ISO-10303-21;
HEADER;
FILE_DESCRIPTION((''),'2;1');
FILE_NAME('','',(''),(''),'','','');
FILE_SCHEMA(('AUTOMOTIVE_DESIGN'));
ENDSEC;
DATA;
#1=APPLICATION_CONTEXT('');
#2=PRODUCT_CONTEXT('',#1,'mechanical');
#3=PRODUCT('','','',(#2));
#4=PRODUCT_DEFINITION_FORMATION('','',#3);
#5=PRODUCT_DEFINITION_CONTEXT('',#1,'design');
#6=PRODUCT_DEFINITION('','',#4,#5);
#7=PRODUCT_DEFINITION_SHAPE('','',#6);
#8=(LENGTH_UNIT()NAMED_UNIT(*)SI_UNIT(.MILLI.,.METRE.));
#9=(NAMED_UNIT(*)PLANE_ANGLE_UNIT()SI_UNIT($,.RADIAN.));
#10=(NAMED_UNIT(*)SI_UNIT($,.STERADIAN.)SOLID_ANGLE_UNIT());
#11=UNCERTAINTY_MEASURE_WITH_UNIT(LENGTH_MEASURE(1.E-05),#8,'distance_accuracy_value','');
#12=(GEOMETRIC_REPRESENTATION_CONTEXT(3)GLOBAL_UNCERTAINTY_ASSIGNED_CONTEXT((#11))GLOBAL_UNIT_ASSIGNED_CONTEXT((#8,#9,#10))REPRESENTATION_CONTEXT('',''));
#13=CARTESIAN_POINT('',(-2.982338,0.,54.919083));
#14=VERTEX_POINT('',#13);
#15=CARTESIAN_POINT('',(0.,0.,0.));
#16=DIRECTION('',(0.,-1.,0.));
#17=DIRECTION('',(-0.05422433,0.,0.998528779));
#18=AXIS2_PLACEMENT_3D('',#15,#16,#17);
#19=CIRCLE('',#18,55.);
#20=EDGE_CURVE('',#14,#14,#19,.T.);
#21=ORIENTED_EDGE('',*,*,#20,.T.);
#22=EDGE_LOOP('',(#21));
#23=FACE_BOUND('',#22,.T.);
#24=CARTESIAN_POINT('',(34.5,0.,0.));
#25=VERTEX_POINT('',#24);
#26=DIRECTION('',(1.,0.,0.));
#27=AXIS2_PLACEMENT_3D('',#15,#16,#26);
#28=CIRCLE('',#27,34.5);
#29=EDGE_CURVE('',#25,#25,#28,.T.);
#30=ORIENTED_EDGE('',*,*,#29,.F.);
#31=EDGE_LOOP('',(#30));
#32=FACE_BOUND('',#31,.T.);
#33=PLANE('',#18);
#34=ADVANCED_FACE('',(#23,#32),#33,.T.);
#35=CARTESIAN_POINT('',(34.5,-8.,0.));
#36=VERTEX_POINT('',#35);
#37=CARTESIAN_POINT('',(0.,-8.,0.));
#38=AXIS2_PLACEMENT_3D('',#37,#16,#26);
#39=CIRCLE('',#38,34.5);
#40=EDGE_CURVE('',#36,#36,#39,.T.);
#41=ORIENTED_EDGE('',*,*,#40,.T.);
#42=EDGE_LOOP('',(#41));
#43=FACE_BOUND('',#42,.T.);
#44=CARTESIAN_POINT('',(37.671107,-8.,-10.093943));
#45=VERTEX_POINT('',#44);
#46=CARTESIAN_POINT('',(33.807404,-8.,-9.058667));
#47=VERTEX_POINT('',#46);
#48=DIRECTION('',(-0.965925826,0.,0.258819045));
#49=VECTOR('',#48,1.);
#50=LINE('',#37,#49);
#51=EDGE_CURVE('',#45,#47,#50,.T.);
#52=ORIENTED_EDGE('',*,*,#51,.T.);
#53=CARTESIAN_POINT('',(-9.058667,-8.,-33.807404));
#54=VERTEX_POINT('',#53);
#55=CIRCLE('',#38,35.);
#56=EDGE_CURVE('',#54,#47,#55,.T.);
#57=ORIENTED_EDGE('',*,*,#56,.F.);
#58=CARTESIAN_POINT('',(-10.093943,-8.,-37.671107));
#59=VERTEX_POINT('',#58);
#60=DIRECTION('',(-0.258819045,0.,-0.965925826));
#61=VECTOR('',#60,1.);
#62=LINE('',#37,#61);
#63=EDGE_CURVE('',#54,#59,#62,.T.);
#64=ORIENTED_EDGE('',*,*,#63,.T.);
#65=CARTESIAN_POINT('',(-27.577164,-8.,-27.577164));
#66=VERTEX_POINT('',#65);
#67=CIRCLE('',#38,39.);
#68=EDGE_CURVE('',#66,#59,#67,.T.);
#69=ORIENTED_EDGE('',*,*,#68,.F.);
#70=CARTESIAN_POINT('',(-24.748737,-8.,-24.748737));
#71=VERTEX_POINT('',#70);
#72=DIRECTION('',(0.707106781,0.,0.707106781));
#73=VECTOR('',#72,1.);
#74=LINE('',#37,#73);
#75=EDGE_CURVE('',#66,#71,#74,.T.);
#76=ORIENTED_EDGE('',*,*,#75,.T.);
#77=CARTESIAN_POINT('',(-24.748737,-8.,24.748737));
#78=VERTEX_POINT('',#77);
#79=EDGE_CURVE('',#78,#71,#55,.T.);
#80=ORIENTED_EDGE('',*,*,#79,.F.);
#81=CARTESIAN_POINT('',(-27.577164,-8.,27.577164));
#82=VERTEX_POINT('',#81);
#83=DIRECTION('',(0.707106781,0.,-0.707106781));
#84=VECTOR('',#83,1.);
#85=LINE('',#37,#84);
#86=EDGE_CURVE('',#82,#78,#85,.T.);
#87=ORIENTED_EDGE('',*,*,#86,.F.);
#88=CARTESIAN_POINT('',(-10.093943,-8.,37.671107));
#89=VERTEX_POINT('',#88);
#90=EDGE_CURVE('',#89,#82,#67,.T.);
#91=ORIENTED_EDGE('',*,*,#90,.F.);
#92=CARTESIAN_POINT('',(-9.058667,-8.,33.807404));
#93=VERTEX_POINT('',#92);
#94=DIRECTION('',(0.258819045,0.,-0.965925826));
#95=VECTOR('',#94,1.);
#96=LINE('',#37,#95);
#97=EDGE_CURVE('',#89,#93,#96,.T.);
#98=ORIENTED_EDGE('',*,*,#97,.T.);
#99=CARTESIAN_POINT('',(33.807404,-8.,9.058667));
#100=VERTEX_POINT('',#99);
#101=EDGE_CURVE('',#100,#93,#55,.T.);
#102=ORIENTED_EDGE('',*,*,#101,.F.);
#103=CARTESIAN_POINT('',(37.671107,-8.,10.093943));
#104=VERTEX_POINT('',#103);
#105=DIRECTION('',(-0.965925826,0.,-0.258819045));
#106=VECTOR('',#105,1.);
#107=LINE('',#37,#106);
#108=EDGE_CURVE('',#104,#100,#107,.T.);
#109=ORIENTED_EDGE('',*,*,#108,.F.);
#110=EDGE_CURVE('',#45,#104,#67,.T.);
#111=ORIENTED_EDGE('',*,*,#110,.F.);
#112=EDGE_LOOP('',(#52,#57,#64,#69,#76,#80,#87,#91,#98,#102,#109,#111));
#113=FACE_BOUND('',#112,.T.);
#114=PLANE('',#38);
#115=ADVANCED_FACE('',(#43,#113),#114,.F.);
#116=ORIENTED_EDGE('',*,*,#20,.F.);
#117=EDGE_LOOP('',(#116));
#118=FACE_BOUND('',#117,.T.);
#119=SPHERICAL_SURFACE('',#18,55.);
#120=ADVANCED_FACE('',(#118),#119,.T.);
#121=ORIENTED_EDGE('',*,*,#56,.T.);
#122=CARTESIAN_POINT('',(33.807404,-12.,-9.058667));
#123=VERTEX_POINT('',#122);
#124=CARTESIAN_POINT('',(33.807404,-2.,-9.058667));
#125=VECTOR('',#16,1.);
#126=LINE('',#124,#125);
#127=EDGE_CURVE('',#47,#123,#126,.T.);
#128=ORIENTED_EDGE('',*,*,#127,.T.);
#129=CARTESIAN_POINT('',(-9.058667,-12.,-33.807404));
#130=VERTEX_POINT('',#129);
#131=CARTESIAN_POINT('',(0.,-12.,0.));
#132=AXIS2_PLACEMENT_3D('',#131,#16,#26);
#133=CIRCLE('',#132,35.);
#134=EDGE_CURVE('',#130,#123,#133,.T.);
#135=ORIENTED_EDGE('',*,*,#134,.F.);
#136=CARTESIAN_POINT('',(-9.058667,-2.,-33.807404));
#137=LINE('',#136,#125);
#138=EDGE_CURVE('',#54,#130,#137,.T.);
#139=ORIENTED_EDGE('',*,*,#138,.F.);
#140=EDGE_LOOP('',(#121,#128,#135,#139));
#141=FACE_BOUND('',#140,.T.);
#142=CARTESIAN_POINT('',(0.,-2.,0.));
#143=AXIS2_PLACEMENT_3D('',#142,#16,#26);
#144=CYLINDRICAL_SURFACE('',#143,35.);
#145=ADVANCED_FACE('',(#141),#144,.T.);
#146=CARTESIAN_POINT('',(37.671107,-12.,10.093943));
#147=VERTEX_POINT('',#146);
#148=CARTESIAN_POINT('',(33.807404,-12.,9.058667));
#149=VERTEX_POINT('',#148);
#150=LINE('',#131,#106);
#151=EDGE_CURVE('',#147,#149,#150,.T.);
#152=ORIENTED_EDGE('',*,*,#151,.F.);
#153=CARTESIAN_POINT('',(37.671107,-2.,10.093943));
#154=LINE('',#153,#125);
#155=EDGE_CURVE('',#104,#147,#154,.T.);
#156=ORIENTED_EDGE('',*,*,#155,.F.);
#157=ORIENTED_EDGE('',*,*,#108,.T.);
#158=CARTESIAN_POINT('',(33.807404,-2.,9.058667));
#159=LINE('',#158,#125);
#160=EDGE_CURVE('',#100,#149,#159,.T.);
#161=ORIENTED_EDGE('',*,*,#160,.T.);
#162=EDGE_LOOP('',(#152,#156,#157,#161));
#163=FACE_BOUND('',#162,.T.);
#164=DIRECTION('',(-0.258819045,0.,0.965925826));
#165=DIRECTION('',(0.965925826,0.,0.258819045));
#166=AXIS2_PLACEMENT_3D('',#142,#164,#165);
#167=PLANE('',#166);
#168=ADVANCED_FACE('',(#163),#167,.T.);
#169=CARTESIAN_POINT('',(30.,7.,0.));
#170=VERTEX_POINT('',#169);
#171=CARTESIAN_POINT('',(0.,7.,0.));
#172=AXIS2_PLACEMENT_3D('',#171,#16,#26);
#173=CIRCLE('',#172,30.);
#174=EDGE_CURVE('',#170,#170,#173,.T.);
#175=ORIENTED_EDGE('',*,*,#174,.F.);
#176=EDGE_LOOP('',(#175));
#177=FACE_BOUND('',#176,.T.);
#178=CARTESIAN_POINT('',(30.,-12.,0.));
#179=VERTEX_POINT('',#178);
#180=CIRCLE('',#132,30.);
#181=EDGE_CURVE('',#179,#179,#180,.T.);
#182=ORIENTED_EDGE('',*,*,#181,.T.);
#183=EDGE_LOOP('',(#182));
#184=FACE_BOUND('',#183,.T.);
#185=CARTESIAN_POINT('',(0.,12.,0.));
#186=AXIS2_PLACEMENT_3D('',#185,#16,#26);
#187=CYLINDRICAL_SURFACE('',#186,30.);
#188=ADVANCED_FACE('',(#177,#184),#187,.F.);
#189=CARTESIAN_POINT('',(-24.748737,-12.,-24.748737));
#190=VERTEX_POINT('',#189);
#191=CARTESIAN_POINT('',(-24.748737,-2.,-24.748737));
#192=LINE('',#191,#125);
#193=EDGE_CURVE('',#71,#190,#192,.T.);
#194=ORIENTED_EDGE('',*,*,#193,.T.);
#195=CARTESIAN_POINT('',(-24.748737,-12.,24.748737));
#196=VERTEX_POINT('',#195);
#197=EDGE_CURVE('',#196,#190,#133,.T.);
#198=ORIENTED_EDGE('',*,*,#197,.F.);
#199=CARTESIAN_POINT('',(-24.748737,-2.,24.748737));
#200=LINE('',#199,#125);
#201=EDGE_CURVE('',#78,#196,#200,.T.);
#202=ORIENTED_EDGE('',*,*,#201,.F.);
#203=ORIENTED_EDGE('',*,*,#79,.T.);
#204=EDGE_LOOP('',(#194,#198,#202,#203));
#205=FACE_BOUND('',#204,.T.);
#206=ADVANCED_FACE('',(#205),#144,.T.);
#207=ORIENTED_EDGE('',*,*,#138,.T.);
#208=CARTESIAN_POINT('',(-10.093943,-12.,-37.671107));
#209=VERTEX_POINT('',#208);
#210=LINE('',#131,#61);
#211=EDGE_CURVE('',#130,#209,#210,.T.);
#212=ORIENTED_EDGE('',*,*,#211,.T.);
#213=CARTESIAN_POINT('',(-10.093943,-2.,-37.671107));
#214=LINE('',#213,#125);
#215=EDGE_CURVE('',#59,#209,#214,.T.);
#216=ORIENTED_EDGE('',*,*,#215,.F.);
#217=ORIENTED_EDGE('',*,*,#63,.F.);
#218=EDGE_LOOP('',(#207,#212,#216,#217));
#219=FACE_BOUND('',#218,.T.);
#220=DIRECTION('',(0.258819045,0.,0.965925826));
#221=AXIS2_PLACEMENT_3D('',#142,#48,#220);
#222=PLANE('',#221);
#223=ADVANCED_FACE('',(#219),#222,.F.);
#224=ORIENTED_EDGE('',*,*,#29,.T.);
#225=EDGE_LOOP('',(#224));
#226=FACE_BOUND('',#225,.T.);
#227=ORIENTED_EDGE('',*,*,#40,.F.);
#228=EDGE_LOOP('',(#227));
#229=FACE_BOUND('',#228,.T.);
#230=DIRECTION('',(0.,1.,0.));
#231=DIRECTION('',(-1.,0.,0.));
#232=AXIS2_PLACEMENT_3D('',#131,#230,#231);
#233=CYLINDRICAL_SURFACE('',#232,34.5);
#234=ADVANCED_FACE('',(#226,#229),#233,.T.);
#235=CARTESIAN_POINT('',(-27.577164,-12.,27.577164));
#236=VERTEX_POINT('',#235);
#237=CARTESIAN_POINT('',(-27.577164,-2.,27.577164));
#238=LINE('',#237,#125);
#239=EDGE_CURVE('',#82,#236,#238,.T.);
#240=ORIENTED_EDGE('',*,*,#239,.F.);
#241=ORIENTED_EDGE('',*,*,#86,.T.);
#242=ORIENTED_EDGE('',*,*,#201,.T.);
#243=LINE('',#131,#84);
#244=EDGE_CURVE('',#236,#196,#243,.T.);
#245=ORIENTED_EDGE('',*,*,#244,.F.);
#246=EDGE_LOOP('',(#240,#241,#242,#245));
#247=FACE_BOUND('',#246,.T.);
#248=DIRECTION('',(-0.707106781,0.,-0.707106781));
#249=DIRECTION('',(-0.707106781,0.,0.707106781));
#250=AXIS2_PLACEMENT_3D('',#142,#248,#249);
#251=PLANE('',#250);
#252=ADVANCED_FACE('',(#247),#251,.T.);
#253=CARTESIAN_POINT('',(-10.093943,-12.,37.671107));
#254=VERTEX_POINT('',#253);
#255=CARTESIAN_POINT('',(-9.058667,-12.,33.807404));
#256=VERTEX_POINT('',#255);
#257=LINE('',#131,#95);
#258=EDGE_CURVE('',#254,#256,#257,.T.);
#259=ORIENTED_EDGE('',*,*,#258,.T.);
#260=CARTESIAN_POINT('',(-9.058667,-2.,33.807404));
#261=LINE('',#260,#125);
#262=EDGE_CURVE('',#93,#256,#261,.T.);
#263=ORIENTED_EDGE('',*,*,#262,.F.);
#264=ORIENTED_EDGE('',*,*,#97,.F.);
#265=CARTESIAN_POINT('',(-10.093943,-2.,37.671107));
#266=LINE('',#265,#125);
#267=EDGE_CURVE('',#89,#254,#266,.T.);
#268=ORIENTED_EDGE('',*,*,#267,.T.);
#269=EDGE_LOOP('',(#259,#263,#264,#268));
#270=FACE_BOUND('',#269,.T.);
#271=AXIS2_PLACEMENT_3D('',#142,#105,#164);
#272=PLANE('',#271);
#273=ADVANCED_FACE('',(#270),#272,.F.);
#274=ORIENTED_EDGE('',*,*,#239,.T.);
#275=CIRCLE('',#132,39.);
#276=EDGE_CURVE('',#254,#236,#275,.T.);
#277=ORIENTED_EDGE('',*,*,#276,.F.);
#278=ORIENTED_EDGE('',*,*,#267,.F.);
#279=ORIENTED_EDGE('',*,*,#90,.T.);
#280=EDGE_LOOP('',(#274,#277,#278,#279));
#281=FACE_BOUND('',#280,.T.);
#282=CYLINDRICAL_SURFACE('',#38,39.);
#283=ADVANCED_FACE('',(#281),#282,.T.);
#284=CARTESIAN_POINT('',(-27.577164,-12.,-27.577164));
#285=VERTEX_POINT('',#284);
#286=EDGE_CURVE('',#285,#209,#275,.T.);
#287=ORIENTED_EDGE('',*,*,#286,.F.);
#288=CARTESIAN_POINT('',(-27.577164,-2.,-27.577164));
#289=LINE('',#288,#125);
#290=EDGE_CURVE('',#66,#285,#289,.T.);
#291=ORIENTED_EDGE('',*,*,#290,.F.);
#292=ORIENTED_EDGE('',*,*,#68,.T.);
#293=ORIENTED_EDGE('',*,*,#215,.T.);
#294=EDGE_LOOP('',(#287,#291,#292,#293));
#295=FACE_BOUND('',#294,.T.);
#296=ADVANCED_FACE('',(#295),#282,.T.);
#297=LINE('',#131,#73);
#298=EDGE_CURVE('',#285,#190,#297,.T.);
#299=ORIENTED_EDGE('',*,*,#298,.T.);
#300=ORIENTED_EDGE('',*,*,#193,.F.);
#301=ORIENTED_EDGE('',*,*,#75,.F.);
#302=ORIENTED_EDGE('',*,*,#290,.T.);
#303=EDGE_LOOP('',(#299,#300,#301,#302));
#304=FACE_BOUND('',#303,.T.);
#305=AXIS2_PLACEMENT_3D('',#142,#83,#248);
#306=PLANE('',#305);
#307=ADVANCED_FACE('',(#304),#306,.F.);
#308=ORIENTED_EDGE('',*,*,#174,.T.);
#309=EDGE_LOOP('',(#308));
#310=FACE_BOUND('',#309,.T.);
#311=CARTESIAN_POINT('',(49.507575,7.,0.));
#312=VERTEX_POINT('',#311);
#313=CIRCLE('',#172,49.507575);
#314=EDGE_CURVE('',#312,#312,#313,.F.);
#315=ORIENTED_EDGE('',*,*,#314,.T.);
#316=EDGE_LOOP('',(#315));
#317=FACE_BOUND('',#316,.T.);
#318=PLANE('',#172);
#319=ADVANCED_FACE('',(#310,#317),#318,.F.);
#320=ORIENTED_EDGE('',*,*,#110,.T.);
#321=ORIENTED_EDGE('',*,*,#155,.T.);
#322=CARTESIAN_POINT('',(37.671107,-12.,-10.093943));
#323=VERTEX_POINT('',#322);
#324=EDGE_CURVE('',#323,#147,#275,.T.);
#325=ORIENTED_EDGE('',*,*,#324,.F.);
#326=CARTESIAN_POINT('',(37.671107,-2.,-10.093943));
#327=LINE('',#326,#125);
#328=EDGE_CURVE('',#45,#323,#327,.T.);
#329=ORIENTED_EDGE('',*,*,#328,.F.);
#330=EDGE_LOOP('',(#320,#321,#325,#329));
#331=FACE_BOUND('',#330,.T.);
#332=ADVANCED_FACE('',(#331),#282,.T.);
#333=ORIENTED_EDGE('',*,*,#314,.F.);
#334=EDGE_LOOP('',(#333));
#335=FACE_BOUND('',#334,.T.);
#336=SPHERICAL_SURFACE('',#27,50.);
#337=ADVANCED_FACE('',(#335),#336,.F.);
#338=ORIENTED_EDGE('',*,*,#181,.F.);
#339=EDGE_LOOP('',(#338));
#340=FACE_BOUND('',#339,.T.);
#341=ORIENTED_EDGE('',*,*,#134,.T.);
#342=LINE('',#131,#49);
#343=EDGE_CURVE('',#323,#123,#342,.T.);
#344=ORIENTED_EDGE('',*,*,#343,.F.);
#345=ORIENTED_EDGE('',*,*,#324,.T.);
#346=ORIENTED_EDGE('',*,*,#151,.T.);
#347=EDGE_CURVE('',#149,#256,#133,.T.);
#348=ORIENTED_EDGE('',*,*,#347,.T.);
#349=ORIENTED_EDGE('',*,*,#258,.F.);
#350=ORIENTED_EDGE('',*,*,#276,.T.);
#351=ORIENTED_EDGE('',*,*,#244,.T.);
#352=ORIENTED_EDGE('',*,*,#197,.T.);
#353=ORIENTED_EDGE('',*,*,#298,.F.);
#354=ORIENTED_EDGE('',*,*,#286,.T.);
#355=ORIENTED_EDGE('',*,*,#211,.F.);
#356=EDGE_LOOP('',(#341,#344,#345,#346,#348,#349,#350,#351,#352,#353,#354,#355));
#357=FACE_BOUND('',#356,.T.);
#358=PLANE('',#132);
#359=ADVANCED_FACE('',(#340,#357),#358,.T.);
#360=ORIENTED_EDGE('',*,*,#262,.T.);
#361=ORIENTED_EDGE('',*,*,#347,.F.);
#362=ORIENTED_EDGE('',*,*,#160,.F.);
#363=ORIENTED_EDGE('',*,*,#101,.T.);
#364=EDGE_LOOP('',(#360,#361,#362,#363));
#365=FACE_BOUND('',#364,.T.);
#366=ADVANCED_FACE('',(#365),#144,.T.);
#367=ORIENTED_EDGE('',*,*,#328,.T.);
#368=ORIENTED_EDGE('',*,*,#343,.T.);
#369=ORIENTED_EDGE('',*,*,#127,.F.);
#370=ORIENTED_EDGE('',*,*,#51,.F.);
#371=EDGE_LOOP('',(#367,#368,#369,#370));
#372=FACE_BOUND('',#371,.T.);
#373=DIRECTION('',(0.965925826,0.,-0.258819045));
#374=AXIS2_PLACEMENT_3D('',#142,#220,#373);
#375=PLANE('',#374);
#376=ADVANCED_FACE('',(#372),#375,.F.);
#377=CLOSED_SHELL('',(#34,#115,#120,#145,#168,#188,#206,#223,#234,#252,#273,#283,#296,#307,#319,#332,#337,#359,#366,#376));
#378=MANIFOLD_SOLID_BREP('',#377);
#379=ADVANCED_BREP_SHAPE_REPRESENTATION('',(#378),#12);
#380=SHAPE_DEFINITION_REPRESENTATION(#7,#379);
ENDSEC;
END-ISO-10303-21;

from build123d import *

# Parameters (mm, degrees)
REVOLVE1_ANGLE      = 180
SKETCH4_R           = 50
BOSS_EXTRUDE1_DEPTH = 7
SKETCH5_R           = 34.5
BOSS_EXTRUDE2_DEPTH = 12
SKETCH6_R           = 39
BOSS_EXTRUDE4_DEPTH = 4
SKETCH7_R           = 30
CUT_EXTRUDE1_DEPTH  = 24
CUT_EXTRUDE2_DEPTH  = 10


with BuildPart() as part:
    # Sketch1 → Revolve1 (revolve)
    with BuildSketch(Plane(origin=(0, 0, 0), x_dir=(1, 0, 0), z_dir=(0, 1, 0))):
        with BuildLine():
            Line((1.491717845, 54.979766986), (-1.491717845, -54.979766986))
            ThreePointArc((-1.491717845, -54.979766986), (54.979766986, -1.491717845), (1.491717845, 54.979766986))
        make_face()
    revolve(axis=Axis((1.491717845, 0, -54.979766986), (-0.027122143, 0, 0.999632127)), revolution_arc=REVOLVE1_ANGLE)

    # Sketch2 → Cut-Revolve1 (revolve, cut)
    with BuildSketch(Plane.XZ):
        with BuildLine():
            Line((49.980692072, 1.389395568), (-49.980692072, -1.389395568))
            ThreePointArc((-49.980692072, -1.389395568), (-1.389395568, 49.980692072), (49.980692072, 1.389395568))
        make_face()
    revolve(axis=Axis((49.980692072, 0, 1.389395568), (-0.999613841, 0, -0.027787911)), mode=Mode.SUBTRACT)

    # Sketch4 → Boss-Extrude1 (add)
    with BuildSketch(Plane.XZ):
        Circle(SKETCH4_R)
    extrude(amount=-BOSS_EXTRUDE1_DEPTH)

    # Sketch5 → Boss-Extrude2 (add)
    with BuildSketch(Plane.XZ):
        Circle(SKETCH5_R)
    extrude(amount=BOSS_EXTRUDE2_DEPTH)

    # Sketch6 → Boss-Extrude4 (add)
    with BuildSketch(Plane.XZ.offset(12)):
        Circle(SKETCH6_R)
    extrude(amount=-BOSS_EXTRUDE4_DEPTH)

    # Sketch7 → Cut-Extrude1 (cut)
    with BuildSketch(Plane.XZ.offset(12)):
        Circle(SKETCH7_R)
    extrude(amount=-CUT_EXTRUDE1_DEPTH, mode=Mode.SUBTRACT)

    # Sketch8 → Cut-Extrude2 (cut)
    with BuildSketch(Plane.XZ.offset(12)):
        with BuildLine():
            ThreePointArc((37.671107225, 10.093942759), (19.5, 33.774990748), (-10.093942759, 37.671107225))
            Line((-10.093942759, 37.671107225), (-9.058666579, 33.80740392))
            ThreePointArc((-9.058666579, 33.80740392), (17.5, 30.310889132), (33.80740392, 9.058666579))
            Line((33.80740392, 9.058666579), (37.671107225, 10.093942759))
        make_face()
        with BuildLine():
            ThreePointArc((-10.093942759, -37.671107225), (19.5, -33.774990748), (37.671107225, -10.093942759))
            Line((37.671107225, -10.093942759), (33.80740392, -9.058666579))
            ThreePointArc((33.80740392, -9.058666579), (17.5, -30.310889132), (-9.058666579, -33.80740392))
            Line((-9.058666579, -33.80740392), (-10.093942759, -37.671107225))
        make_face()
        with BuildLine():
            Line((-24.748737342, 24.748737342), (-27.577164466, 27.577164466))
            ThreePointArc((-27.577164466, 27.577164466), (-39, 0), (-27.577164466, -27.577164466))
            Line((-27.577164466, -27.577164466), (-24.748737342, -24.748737342))
            ThreePointArc((-24.748737342, -24.748737342), (-35, 0), (-24.748737342, 24.748737342))
        make_face()
    extrude(amount=-CUT_EXTRUDE2_DEPTH, mode=Mode.SUBTRACT)


solid = part.part
